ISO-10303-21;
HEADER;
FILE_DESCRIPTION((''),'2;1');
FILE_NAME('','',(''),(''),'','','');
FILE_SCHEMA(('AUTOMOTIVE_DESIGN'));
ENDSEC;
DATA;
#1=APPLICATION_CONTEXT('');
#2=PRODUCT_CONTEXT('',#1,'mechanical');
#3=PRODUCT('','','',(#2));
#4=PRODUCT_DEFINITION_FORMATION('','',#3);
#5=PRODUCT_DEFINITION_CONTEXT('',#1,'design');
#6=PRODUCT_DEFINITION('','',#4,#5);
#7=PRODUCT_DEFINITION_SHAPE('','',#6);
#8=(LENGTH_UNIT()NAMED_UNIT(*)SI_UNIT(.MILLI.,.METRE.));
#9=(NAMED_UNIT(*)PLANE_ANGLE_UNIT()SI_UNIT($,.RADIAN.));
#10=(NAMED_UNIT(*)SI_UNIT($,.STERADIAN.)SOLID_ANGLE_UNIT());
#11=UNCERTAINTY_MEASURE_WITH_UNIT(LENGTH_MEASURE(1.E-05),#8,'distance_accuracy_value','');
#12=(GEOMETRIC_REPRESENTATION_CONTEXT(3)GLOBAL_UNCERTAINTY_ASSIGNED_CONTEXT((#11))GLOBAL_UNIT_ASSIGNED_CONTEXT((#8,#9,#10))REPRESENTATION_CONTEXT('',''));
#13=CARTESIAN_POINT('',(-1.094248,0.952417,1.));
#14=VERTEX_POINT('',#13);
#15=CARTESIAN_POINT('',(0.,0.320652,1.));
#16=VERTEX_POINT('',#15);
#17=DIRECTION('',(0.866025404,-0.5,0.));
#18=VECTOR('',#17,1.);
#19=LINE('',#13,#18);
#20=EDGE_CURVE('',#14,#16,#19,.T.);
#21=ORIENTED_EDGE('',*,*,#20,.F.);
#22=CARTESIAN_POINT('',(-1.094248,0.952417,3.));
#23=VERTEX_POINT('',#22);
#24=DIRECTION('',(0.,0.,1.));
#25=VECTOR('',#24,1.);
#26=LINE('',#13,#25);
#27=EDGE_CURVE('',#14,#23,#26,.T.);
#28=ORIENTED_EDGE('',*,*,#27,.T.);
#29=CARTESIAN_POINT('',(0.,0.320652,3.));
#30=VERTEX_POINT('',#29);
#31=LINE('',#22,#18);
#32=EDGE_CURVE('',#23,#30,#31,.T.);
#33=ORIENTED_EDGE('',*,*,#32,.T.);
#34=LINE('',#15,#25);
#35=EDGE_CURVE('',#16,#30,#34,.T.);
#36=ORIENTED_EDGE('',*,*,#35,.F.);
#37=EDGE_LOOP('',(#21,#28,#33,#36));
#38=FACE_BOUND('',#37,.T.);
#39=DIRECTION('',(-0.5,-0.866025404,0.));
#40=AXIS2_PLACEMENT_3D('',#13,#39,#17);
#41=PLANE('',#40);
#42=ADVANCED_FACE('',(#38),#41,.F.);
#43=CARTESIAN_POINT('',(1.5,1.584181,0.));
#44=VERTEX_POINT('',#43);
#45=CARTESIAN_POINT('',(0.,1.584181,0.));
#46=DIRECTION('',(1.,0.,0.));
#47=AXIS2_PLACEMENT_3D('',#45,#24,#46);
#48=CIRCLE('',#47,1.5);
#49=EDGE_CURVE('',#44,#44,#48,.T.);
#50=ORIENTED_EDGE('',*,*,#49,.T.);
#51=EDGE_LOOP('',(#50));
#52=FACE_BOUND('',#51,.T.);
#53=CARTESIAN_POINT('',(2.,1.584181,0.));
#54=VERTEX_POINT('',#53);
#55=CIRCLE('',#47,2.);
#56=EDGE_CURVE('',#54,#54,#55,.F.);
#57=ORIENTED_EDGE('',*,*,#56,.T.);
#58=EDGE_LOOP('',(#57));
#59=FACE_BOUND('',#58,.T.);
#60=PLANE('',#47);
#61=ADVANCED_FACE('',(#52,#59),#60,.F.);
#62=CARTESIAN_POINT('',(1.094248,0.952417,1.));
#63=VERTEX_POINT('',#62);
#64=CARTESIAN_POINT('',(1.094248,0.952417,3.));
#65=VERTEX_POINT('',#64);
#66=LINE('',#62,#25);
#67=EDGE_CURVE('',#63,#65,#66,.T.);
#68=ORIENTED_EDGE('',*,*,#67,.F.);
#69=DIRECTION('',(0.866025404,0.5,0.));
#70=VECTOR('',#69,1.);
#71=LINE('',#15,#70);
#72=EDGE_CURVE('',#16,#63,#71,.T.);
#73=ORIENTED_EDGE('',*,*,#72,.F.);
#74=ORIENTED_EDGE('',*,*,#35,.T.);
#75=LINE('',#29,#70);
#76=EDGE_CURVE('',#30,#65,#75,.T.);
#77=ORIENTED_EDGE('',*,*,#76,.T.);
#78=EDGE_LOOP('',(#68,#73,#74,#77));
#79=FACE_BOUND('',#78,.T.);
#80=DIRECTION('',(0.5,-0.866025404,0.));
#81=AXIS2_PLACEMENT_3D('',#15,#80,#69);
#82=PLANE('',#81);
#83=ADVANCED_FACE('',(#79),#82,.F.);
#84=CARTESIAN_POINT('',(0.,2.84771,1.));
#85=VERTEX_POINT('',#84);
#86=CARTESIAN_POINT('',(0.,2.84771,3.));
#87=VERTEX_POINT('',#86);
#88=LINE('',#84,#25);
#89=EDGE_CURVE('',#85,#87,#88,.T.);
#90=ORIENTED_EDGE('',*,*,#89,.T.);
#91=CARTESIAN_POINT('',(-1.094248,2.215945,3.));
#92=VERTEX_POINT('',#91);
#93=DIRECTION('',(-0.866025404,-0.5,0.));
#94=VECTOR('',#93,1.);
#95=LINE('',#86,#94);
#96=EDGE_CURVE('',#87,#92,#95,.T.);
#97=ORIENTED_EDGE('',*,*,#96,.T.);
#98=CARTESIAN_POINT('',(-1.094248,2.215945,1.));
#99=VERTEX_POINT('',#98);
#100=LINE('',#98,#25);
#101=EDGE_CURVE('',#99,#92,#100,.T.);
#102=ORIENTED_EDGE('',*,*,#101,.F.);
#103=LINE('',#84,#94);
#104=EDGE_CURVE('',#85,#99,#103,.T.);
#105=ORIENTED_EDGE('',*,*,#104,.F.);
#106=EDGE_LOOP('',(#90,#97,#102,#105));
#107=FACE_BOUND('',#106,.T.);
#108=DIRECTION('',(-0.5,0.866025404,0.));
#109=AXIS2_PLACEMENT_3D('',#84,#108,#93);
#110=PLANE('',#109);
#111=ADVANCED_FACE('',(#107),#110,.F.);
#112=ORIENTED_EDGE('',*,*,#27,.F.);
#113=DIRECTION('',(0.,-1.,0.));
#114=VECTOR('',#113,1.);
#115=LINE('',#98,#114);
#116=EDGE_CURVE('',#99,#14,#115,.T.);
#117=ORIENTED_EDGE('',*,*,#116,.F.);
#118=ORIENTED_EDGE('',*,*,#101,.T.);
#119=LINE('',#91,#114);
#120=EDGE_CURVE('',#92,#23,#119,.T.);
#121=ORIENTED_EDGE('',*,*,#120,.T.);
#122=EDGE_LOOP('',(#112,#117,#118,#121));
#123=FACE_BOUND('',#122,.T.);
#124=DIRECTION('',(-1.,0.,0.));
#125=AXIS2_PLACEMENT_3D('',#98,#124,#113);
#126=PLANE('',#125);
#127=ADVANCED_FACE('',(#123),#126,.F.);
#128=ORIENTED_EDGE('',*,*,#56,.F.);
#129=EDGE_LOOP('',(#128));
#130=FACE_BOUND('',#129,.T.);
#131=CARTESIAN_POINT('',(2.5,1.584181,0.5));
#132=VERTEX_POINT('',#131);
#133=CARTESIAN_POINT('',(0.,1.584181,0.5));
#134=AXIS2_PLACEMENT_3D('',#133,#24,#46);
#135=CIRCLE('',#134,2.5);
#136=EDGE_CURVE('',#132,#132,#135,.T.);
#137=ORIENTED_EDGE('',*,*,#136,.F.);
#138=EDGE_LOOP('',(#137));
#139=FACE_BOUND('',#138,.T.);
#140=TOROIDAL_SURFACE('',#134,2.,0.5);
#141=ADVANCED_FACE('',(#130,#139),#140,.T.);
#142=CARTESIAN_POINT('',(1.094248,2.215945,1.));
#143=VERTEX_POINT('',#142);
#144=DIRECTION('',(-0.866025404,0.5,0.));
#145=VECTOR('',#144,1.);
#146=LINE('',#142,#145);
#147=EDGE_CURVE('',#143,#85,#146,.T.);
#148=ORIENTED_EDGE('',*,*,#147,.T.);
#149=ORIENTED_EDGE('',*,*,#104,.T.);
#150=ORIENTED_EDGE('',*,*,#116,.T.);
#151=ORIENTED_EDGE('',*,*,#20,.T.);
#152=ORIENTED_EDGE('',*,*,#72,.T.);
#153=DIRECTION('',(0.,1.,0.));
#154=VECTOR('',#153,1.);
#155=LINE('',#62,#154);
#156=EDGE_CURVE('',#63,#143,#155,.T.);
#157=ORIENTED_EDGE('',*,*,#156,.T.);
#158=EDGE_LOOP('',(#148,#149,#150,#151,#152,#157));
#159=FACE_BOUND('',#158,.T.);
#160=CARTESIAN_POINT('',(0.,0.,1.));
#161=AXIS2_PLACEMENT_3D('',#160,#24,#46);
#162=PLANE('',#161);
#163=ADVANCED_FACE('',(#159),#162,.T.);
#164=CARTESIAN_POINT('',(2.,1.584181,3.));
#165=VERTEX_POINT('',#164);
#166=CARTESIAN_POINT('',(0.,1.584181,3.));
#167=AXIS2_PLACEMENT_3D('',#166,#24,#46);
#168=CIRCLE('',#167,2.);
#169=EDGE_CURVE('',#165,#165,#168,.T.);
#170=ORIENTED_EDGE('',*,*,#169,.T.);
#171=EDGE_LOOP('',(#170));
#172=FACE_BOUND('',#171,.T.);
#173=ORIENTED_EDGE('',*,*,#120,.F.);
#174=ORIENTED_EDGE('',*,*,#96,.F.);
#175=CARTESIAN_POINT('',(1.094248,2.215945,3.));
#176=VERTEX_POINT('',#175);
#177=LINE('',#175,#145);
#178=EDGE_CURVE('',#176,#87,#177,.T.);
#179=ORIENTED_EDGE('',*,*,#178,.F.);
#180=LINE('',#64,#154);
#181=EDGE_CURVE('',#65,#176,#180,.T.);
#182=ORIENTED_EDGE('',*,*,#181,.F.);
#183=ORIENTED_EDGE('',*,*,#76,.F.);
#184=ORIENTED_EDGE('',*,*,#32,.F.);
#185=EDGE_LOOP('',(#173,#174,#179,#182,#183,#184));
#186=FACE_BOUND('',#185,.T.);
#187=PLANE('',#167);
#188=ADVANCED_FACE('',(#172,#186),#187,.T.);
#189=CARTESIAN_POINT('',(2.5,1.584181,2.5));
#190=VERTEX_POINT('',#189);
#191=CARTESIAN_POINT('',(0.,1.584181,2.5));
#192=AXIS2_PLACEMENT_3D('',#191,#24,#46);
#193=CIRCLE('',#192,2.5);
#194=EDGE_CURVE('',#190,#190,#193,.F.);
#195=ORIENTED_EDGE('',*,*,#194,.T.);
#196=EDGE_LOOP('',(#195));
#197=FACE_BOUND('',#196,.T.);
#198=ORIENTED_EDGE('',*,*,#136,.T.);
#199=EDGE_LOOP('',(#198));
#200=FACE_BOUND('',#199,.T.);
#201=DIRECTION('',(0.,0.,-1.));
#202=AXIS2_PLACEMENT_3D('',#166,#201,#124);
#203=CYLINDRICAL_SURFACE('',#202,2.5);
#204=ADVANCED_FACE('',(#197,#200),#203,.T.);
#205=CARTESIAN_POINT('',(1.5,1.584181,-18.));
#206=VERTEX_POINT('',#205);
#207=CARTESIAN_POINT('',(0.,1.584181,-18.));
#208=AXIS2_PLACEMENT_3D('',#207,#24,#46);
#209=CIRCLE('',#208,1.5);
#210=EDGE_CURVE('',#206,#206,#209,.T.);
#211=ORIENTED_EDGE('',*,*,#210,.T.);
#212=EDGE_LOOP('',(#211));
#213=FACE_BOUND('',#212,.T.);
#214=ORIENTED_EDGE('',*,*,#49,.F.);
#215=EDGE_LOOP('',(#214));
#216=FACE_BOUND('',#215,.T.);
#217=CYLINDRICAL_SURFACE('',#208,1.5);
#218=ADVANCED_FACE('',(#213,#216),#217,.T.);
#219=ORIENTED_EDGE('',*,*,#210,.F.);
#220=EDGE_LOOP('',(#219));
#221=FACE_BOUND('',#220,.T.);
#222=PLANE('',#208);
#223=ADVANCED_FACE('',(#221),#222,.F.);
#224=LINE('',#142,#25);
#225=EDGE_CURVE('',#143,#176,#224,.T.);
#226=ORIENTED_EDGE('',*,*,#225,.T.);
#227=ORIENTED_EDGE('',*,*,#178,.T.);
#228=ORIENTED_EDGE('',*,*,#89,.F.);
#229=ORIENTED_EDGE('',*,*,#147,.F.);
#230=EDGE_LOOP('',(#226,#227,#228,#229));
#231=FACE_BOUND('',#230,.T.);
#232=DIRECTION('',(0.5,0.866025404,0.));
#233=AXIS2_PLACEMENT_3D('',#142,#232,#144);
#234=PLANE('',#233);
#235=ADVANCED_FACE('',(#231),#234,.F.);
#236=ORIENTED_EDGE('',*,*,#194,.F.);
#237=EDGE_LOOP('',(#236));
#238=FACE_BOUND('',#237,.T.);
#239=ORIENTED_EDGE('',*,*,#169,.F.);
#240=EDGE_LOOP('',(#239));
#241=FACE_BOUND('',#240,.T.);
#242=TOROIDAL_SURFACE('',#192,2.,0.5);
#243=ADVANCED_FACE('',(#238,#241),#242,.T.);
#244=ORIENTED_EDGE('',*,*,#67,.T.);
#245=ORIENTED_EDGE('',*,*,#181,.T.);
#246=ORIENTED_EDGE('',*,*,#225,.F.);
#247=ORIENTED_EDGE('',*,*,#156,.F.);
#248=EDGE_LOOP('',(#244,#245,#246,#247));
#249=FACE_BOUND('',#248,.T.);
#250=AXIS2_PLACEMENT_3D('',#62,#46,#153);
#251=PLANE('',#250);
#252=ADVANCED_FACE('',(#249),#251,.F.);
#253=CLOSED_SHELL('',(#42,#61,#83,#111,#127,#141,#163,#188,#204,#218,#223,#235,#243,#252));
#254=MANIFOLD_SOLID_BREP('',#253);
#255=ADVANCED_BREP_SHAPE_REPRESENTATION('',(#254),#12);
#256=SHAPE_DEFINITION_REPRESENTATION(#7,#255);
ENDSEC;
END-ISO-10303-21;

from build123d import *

# Parameters (mm, degrees)
SKETCH1_R           = 1.5
BOSS_EXTRUDE1_DEPTH = 18
SKETCH2_R           = 2.5
BOSS_EXTRUDE2_DEPTH = 3
FILLET1_R           = 0.5
CUT_EXTRUDE1_DEPTH  = 2


with BuildPart() as part:
    # Sketch1 → Boss-Extrude1 (new body)
    with BuildSketch(Plane.XY):
        with Locations((0, 1.584180911)):
            Circle(SKETCH1_R)
    extrude(amount=-BOSS_EXTRUDE1_DEPTH)

    # Sketch2 → Boss-Extrude2 (add)
    with BuildSketch(Plane.XY):
        with Locations((0, 1.584180911)):
            Circle(SKETCH2_R)
    extrude(amount=BOSS_EXTRUDE2_DEPTH)

    # Fillet1
    fillet1_edges = [part.edges().sort_by_distance(p)[0] for p in [
        (-2.5, 1.584180911, 0),
        (-2.5, 1.584180911, 3),
    ]]
    fillet(fillet1_edges, radius=FILLET1_R)

    # Sketch3 → Cut-Extrude1 (cut)
    with BuildSketch(Plane.XY.offset(3)):
        Polygon((0, 0.320652174), (1.094247985, 0.952416543), (1.094247985, 2.21594528), (0, 2.847709649), (-1.094247985, 2.21594528), (-1.094247985, 0.952416543), align=None)
    extrude(amount=-CUT_EXTRUDE1_DEPTH, mode=Mode.SUBTRACT)


solid = part.part
